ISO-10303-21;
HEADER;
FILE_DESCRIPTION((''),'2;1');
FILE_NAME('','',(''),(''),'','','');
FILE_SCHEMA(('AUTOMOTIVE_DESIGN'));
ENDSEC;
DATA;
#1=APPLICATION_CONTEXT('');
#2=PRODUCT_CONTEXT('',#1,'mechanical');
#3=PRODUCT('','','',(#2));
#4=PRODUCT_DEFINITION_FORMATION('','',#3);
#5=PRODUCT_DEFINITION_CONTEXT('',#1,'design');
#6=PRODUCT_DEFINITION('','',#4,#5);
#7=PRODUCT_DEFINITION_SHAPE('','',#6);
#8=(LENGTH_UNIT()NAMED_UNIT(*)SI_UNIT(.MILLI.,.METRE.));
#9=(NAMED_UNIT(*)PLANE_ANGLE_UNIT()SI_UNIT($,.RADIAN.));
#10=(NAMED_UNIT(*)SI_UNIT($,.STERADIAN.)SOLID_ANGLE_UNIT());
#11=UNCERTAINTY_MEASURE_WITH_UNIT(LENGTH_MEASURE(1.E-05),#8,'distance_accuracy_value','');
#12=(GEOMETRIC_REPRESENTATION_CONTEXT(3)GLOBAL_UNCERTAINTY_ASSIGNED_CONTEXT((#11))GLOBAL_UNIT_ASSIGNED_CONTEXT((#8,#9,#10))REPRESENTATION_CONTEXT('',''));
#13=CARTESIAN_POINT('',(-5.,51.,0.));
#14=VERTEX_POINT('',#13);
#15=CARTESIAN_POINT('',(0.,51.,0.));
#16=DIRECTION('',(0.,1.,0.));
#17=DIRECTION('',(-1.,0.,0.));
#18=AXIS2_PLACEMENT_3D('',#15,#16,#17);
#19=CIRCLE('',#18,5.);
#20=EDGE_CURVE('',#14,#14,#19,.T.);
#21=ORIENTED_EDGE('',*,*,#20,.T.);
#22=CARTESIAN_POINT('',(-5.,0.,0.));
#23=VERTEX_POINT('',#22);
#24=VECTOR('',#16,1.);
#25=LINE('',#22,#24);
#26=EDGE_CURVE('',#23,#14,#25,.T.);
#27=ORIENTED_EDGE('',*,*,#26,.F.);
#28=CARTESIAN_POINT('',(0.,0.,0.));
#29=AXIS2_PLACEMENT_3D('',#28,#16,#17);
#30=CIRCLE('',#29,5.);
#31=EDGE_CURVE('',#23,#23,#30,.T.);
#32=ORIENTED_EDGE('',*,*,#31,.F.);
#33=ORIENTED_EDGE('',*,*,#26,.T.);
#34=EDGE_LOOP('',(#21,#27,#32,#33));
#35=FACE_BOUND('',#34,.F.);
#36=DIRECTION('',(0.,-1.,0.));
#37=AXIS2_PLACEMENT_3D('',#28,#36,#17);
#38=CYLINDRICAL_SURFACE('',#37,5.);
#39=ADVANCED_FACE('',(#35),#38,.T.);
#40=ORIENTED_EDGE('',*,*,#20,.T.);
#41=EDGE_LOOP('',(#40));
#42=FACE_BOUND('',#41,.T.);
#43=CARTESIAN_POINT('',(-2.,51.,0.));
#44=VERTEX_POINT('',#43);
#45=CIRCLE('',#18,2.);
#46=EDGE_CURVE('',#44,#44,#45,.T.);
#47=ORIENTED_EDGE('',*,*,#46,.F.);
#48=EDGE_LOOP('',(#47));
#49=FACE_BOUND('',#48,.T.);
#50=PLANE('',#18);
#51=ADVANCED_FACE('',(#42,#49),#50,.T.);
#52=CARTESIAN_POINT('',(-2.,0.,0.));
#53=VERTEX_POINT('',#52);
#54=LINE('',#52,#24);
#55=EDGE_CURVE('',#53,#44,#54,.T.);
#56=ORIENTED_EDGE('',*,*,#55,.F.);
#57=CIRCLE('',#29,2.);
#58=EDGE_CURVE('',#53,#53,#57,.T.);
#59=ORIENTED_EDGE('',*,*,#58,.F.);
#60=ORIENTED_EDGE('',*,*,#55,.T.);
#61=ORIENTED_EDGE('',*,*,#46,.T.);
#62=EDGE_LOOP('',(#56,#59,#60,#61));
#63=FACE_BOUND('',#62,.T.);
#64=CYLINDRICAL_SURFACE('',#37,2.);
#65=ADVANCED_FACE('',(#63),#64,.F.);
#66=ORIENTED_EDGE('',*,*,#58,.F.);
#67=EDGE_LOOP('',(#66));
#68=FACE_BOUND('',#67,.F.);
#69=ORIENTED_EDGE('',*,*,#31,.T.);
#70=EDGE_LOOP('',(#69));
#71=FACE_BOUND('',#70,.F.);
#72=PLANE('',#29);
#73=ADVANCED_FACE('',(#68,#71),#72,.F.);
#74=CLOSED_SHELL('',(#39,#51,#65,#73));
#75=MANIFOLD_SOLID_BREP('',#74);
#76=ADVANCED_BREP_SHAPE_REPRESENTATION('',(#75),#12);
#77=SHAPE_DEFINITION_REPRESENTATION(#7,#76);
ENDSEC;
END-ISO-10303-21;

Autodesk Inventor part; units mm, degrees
ref_plane "YZ Plane" through (0, 0, 0) normal (1, 0, 0) x (0, 1, 0)
ref_plane "XZ Plane" through (0, 0, 0) normal (0, 1, 0) x (-1, 0, 0)
ref_plane "XY Plane" through (0, 0, 0) normal (0, 0, 1) x (1, 0, 0)
sketch "Sketch1" plane through (0, 0, 0) normal (0, 1, 0) x (-1, 0, 0)
  circle A0 centre (0, 0) radius 2
  circle A1 centre (0, 0) radius 5
  dimension "d0" = 4
  dimension "d1" = 10
extrude "Extrusion1" add sketch "Sketch1" along normal blind 51
properties part number "BushingLargest"
